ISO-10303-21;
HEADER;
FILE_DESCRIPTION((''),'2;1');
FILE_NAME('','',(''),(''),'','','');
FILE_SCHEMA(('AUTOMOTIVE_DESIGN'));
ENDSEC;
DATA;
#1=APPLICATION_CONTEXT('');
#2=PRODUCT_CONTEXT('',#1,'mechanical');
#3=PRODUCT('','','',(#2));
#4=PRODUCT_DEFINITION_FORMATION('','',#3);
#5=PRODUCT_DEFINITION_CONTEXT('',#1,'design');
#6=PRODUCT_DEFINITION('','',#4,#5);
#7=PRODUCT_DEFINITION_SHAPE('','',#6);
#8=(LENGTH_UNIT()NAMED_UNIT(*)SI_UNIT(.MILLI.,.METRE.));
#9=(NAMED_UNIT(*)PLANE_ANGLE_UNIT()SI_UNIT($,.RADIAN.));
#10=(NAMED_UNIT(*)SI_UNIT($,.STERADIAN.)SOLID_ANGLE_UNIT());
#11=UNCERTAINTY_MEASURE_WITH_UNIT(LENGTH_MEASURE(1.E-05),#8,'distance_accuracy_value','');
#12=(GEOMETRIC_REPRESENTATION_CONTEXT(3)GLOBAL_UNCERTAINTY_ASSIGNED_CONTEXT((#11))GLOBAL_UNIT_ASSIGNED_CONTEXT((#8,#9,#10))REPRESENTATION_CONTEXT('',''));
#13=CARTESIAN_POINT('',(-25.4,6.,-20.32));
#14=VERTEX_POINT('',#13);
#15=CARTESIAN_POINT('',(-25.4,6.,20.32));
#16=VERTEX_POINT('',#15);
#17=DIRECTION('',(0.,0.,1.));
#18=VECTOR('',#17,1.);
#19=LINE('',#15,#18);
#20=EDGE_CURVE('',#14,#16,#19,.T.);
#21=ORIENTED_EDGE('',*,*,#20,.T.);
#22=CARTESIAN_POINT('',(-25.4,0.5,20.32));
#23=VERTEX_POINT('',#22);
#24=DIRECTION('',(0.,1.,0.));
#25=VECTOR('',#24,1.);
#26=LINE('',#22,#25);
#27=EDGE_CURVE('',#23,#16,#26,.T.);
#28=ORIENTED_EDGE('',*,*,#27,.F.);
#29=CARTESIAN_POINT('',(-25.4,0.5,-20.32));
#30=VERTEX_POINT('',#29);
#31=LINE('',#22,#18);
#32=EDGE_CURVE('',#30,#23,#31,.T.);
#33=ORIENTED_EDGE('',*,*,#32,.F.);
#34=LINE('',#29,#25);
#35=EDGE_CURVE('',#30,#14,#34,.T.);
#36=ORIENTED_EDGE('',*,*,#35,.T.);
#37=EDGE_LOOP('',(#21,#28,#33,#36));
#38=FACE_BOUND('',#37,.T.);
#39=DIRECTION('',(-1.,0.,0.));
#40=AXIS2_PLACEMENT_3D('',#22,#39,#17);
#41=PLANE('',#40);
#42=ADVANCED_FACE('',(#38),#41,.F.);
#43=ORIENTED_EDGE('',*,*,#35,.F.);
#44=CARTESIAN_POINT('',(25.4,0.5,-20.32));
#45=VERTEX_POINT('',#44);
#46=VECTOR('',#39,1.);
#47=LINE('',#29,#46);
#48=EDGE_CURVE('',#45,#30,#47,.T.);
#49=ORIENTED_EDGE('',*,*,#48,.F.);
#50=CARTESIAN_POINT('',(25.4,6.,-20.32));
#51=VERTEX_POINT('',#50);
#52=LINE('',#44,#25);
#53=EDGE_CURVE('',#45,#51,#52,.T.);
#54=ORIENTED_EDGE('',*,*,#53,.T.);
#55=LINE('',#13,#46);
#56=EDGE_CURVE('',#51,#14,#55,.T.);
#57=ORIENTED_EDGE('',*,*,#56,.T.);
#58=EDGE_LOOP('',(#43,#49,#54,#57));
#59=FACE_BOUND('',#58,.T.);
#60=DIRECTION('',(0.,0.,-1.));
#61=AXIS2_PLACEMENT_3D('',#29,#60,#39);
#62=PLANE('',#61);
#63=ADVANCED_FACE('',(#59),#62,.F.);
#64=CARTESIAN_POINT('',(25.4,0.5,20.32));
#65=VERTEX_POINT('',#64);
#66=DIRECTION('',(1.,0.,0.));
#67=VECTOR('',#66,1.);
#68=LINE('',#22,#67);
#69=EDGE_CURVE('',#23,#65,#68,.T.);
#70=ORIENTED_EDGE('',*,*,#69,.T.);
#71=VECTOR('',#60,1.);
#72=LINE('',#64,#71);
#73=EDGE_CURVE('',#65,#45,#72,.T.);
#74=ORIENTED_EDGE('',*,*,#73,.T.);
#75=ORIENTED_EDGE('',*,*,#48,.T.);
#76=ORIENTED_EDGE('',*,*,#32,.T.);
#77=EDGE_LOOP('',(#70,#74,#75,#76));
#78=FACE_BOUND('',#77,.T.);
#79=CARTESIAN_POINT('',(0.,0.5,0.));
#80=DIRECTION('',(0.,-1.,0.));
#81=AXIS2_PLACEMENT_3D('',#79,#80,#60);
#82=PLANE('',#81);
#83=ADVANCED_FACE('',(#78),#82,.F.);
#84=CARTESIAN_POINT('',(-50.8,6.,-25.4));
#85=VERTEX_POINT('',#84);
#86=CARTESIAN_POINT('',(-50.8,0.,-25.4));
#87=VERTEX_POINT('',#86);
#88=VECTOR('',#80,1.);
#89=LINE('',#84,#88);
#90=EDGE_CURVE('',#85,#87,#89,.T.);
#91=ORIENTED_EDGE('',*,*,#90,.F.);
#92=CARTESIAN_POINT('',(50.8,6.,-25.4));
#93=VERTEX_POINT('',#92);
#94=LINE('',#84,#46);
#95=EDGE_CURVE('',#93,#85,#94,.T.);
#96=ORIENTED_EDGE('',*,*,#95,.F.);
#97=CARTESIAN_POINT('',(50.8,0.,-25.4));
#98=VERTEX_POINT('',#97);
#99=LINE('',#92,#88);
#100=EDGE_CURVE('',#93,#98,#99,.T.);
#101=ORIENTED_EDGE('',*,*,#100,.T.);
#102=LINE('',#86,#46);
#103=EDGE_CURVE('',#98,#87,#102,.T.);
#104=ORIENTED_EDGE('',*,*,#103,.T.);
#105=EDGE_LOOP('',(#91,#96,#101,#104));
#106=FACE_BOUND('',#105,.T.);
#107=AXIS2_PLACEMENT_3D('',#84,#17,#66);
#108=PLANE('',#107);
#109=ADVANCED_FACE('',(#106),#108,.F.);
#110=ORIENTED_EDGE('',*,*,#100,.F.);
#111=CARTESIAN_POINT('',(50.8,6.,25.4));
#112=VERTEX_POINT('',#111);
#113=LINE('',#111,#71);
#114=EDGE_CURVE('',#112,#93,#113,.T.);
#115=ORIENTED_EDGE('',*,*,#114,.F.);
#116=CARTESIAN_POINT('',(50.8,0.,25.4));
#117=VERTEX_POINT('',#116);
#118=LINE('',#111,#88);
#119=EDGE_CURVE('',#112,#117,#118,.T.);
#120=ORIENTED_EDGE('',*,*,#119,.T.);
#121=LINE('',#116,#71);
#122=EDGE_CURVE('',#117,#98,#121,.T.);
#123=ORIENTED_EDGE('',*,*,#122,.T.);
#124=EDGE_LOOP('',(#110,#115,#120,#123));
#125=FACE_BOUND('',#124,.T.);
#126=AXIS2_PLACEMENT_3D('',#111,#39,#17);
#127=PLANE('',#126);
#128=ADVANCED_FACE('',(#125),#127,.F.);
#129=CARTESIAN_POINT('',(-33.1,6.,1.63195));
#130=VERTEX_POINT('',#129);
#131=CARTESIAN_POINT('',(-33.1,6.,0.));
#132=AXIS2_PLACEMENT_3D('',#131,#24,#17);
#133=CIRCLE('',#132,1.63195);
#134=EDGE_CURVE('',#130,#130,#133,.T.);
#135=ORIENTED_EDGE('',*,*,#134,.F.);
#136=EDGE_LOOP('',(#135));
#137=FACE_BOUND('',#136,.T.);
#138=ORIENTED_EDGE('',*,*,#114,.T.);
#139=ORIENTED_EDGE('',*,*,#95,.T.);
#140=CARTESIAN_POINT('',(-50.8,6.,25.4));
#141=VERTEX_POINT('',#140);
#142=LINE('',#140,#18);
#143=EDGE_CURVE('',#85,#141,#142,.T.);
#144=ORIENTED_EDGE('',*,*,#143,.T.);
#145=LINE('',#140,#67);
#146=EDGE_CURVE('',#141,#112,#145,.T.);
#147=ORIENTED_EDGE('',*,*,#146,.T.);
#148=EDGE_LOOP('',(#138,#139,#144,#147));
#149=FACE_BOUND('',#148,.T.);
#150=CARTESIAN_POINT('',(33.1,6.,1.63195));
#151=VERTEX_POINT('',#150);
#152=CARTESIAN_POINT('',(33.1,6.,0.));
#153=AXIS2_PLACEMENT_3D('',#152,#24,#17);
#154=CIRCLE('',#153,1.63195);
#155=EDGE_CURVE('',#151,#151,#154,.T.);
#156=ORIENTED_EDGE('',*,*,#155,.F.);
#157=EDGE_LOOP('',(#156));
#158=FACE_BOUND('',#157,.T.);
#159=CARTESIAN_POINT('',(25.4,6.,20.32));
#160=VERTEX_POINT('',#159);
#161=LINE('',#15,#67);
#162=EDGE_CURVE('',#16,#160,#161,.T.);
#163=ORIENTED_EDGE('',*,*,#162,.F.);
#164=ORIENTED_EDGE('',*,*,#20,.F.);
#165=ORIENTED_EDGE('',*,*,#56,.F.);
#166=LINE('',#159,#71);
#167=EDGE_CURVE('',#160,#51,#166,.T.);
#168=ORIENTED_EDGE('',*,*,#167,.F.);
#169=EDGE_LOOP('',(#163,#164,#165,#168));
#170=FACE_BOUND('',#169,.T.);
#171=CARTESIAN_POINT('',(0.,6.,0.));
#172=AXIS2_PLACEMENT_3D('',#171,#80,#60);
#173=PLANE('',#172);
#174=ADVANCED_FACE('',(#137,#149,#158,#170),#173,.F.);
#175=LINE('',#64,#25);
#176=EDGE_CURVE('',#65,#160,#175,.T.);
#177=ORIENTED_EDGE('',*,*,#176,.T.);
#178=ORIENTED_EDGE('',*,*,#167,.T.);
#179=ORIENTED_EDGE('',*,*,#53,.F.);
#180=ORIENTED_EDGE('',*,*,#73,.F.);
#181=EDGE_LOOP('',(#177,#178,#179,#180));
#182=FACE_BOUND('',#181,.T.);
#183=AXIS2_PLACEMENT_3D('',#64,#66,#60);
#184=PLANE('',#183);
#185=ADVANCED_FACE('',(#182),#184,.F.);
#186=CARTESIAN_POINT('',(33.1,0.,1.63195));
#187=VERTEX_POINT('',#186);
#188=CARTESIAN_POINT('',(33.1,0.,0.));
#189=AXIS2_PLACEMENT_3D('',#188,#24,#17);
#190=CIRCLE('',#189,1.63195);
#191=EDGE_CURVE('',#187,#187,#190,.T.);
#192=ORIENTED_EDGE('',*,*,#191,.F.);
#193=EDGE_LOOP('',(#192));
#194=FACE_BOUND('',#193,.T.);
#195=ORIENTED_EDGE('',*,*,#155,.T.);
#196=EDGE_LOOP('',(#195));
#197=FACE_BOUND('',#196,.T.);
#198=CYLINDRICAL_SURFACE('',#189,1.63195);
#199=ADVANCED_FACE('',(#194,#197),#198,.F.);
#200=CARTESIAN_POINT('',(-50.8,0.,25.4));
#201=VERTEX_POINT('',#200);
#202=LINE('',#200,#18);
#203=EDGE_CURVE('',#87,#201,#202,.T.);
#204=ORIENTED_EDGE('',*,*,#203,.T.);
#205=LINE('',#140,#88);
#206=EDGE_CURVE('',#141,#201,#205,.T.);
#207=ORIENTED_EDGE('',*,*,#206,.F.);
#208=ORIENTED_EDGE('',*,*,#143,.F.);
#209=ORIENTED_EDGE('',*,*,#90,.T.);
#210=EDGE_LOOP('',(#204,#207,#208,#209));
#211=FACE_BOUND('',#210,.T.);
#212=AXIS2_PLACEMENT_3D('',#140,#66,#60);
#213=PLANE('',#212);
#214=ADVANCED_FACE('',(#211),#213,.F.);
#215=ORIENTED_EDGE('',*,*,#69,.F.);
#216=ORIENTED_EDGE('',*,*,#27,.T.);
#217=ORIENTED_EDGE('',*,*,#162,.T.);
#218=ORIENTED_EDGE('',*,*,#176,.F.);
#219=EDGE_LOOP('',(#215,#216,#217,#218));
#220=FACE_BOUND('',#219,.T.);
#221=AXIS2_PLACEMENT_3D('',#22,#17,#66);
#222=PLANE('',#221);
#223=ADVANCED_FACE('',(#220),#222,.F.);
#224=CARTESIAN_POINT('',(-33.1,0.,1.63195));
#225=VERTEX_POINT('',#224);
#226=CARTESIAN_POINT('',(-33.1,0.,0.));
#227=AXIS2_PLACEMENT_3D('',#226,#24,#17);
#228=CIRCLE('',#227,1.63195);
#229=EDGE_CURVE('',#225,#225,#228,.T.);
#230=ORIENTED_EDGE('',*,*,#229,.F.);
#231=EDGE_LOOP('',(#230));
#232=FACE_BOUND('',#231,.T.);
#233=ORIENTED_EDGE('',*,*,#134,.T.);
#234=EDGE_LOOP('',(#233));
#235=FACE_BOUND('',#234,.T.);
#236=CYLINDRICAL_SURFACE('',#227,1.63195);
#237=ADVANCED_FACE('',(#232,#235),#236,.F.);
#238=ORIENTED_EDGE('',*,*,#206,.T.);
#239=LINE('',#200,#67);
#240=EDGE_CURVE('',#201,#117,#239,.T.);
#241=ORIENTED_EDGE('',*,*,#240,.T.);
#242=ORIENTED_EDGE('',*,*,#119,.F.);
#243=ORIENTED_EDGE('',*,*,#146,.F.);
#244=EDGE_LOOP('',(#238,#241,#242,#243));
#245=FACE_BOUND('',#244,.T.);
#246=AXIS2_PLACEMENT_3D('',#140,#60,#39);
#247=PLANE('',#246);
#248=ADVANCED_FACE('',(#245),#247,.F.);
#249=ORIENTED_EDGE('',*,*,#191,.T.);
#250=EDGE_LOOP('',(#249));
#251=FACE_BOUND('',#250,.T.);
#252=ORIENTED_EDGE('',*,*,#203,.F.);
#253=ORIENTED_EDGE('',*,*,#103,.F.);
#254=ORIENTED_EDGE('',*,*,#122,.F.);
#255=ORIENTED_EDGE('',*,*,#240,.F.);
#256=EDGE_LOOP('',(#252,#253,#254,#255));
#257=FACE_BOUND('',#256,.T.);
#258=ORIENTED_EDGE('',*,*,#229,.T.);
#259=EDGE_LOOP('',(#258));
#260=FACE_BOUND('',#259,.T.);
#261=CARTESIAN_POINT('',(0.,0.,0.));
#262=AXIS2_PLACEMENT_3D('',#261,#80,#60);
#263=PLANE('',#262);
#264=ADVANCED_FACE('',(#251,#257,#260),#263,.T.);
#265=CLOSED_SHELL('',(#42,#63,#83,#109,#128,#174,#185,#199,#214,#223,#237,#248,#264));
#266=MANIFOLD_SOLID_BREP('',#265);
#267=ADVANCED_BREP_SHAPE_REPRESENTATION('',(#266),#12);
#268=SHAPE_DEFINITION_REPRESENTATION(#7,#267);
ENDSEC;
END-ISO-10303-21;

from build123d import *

# Parameters (mm, degrees)
SKETCH1_W           = 101.6
SKETCH1_H           = 50.8
BOSS_EXTRUDE1_DEPTH = 6
SKETCH2_W           = 50.8
SKETCH2_H           = 40.64
CUT_EXTRUDE1_DEPTH  = 5.5
SKETCH3_R           = 1.63195
CUT_EXTRUDE2_DEPTH  = 58.112170332
SKETCH4_R           = 1.63195
CUT_EXTRUDE3_DEPTH  = 58.112170332


with BuildPart() as part:
    # Sketch1 → Boss-Extrude1 (new body)
    with BuildSketch(Plane(origin=(0, 0, 0), x_dir=(1, 0, 0), z_dir=(0, 1, 0))):
        Rectangle(SKETCH1_W, SKETCH1_H)
    extrude(amount=BOSS_EXTRUDE1_DEPTH)

    # Sketch2 → Cut-Extrude1 (cut)
    with BuildSketch(Plane(origin=(0, 6, 0), x_dir=(1, 0, 0), z_dir=(0, 1, 0))):
        Rectangle(SKETCH2_W, SKETCH2_H)
    extrude(amount=-CUT_EXTRUDE1_DEPTH, mode=Mode.SUBTRACT)

    # Sketch3 → Cut-Extrude2 (cut, through all)
    with BuildSketch(Plane(origin=(0, 6, 0), x_dir=(1, 0, 0), z_dir=(0, 1, 0))):
        with Locations(Location((-33.1, 0, 0), (0, 0, 270))):
            Circle(SKETCH3_R)
    extrude(amount=-CUT_EXTRUDE2_DEPTH, mode=Mode.SUBTRACT)

    # Sketch4 → Cut-Extrude3 (cut, through all)
    with BuildSketch(Plane(origin=(0, 6, 0), x_dir=(1, 0, 0), z_dir=(0, 1, 0))):
        with Locations(Location((33.1, 0, 0), (0, 0, 270))):
            Circle(SKETCH4_R)
    extrude(amount=-CUT_EXTRUDE3_DEPTH, mode=Mode.SUBTRACT)


solid = part.part
